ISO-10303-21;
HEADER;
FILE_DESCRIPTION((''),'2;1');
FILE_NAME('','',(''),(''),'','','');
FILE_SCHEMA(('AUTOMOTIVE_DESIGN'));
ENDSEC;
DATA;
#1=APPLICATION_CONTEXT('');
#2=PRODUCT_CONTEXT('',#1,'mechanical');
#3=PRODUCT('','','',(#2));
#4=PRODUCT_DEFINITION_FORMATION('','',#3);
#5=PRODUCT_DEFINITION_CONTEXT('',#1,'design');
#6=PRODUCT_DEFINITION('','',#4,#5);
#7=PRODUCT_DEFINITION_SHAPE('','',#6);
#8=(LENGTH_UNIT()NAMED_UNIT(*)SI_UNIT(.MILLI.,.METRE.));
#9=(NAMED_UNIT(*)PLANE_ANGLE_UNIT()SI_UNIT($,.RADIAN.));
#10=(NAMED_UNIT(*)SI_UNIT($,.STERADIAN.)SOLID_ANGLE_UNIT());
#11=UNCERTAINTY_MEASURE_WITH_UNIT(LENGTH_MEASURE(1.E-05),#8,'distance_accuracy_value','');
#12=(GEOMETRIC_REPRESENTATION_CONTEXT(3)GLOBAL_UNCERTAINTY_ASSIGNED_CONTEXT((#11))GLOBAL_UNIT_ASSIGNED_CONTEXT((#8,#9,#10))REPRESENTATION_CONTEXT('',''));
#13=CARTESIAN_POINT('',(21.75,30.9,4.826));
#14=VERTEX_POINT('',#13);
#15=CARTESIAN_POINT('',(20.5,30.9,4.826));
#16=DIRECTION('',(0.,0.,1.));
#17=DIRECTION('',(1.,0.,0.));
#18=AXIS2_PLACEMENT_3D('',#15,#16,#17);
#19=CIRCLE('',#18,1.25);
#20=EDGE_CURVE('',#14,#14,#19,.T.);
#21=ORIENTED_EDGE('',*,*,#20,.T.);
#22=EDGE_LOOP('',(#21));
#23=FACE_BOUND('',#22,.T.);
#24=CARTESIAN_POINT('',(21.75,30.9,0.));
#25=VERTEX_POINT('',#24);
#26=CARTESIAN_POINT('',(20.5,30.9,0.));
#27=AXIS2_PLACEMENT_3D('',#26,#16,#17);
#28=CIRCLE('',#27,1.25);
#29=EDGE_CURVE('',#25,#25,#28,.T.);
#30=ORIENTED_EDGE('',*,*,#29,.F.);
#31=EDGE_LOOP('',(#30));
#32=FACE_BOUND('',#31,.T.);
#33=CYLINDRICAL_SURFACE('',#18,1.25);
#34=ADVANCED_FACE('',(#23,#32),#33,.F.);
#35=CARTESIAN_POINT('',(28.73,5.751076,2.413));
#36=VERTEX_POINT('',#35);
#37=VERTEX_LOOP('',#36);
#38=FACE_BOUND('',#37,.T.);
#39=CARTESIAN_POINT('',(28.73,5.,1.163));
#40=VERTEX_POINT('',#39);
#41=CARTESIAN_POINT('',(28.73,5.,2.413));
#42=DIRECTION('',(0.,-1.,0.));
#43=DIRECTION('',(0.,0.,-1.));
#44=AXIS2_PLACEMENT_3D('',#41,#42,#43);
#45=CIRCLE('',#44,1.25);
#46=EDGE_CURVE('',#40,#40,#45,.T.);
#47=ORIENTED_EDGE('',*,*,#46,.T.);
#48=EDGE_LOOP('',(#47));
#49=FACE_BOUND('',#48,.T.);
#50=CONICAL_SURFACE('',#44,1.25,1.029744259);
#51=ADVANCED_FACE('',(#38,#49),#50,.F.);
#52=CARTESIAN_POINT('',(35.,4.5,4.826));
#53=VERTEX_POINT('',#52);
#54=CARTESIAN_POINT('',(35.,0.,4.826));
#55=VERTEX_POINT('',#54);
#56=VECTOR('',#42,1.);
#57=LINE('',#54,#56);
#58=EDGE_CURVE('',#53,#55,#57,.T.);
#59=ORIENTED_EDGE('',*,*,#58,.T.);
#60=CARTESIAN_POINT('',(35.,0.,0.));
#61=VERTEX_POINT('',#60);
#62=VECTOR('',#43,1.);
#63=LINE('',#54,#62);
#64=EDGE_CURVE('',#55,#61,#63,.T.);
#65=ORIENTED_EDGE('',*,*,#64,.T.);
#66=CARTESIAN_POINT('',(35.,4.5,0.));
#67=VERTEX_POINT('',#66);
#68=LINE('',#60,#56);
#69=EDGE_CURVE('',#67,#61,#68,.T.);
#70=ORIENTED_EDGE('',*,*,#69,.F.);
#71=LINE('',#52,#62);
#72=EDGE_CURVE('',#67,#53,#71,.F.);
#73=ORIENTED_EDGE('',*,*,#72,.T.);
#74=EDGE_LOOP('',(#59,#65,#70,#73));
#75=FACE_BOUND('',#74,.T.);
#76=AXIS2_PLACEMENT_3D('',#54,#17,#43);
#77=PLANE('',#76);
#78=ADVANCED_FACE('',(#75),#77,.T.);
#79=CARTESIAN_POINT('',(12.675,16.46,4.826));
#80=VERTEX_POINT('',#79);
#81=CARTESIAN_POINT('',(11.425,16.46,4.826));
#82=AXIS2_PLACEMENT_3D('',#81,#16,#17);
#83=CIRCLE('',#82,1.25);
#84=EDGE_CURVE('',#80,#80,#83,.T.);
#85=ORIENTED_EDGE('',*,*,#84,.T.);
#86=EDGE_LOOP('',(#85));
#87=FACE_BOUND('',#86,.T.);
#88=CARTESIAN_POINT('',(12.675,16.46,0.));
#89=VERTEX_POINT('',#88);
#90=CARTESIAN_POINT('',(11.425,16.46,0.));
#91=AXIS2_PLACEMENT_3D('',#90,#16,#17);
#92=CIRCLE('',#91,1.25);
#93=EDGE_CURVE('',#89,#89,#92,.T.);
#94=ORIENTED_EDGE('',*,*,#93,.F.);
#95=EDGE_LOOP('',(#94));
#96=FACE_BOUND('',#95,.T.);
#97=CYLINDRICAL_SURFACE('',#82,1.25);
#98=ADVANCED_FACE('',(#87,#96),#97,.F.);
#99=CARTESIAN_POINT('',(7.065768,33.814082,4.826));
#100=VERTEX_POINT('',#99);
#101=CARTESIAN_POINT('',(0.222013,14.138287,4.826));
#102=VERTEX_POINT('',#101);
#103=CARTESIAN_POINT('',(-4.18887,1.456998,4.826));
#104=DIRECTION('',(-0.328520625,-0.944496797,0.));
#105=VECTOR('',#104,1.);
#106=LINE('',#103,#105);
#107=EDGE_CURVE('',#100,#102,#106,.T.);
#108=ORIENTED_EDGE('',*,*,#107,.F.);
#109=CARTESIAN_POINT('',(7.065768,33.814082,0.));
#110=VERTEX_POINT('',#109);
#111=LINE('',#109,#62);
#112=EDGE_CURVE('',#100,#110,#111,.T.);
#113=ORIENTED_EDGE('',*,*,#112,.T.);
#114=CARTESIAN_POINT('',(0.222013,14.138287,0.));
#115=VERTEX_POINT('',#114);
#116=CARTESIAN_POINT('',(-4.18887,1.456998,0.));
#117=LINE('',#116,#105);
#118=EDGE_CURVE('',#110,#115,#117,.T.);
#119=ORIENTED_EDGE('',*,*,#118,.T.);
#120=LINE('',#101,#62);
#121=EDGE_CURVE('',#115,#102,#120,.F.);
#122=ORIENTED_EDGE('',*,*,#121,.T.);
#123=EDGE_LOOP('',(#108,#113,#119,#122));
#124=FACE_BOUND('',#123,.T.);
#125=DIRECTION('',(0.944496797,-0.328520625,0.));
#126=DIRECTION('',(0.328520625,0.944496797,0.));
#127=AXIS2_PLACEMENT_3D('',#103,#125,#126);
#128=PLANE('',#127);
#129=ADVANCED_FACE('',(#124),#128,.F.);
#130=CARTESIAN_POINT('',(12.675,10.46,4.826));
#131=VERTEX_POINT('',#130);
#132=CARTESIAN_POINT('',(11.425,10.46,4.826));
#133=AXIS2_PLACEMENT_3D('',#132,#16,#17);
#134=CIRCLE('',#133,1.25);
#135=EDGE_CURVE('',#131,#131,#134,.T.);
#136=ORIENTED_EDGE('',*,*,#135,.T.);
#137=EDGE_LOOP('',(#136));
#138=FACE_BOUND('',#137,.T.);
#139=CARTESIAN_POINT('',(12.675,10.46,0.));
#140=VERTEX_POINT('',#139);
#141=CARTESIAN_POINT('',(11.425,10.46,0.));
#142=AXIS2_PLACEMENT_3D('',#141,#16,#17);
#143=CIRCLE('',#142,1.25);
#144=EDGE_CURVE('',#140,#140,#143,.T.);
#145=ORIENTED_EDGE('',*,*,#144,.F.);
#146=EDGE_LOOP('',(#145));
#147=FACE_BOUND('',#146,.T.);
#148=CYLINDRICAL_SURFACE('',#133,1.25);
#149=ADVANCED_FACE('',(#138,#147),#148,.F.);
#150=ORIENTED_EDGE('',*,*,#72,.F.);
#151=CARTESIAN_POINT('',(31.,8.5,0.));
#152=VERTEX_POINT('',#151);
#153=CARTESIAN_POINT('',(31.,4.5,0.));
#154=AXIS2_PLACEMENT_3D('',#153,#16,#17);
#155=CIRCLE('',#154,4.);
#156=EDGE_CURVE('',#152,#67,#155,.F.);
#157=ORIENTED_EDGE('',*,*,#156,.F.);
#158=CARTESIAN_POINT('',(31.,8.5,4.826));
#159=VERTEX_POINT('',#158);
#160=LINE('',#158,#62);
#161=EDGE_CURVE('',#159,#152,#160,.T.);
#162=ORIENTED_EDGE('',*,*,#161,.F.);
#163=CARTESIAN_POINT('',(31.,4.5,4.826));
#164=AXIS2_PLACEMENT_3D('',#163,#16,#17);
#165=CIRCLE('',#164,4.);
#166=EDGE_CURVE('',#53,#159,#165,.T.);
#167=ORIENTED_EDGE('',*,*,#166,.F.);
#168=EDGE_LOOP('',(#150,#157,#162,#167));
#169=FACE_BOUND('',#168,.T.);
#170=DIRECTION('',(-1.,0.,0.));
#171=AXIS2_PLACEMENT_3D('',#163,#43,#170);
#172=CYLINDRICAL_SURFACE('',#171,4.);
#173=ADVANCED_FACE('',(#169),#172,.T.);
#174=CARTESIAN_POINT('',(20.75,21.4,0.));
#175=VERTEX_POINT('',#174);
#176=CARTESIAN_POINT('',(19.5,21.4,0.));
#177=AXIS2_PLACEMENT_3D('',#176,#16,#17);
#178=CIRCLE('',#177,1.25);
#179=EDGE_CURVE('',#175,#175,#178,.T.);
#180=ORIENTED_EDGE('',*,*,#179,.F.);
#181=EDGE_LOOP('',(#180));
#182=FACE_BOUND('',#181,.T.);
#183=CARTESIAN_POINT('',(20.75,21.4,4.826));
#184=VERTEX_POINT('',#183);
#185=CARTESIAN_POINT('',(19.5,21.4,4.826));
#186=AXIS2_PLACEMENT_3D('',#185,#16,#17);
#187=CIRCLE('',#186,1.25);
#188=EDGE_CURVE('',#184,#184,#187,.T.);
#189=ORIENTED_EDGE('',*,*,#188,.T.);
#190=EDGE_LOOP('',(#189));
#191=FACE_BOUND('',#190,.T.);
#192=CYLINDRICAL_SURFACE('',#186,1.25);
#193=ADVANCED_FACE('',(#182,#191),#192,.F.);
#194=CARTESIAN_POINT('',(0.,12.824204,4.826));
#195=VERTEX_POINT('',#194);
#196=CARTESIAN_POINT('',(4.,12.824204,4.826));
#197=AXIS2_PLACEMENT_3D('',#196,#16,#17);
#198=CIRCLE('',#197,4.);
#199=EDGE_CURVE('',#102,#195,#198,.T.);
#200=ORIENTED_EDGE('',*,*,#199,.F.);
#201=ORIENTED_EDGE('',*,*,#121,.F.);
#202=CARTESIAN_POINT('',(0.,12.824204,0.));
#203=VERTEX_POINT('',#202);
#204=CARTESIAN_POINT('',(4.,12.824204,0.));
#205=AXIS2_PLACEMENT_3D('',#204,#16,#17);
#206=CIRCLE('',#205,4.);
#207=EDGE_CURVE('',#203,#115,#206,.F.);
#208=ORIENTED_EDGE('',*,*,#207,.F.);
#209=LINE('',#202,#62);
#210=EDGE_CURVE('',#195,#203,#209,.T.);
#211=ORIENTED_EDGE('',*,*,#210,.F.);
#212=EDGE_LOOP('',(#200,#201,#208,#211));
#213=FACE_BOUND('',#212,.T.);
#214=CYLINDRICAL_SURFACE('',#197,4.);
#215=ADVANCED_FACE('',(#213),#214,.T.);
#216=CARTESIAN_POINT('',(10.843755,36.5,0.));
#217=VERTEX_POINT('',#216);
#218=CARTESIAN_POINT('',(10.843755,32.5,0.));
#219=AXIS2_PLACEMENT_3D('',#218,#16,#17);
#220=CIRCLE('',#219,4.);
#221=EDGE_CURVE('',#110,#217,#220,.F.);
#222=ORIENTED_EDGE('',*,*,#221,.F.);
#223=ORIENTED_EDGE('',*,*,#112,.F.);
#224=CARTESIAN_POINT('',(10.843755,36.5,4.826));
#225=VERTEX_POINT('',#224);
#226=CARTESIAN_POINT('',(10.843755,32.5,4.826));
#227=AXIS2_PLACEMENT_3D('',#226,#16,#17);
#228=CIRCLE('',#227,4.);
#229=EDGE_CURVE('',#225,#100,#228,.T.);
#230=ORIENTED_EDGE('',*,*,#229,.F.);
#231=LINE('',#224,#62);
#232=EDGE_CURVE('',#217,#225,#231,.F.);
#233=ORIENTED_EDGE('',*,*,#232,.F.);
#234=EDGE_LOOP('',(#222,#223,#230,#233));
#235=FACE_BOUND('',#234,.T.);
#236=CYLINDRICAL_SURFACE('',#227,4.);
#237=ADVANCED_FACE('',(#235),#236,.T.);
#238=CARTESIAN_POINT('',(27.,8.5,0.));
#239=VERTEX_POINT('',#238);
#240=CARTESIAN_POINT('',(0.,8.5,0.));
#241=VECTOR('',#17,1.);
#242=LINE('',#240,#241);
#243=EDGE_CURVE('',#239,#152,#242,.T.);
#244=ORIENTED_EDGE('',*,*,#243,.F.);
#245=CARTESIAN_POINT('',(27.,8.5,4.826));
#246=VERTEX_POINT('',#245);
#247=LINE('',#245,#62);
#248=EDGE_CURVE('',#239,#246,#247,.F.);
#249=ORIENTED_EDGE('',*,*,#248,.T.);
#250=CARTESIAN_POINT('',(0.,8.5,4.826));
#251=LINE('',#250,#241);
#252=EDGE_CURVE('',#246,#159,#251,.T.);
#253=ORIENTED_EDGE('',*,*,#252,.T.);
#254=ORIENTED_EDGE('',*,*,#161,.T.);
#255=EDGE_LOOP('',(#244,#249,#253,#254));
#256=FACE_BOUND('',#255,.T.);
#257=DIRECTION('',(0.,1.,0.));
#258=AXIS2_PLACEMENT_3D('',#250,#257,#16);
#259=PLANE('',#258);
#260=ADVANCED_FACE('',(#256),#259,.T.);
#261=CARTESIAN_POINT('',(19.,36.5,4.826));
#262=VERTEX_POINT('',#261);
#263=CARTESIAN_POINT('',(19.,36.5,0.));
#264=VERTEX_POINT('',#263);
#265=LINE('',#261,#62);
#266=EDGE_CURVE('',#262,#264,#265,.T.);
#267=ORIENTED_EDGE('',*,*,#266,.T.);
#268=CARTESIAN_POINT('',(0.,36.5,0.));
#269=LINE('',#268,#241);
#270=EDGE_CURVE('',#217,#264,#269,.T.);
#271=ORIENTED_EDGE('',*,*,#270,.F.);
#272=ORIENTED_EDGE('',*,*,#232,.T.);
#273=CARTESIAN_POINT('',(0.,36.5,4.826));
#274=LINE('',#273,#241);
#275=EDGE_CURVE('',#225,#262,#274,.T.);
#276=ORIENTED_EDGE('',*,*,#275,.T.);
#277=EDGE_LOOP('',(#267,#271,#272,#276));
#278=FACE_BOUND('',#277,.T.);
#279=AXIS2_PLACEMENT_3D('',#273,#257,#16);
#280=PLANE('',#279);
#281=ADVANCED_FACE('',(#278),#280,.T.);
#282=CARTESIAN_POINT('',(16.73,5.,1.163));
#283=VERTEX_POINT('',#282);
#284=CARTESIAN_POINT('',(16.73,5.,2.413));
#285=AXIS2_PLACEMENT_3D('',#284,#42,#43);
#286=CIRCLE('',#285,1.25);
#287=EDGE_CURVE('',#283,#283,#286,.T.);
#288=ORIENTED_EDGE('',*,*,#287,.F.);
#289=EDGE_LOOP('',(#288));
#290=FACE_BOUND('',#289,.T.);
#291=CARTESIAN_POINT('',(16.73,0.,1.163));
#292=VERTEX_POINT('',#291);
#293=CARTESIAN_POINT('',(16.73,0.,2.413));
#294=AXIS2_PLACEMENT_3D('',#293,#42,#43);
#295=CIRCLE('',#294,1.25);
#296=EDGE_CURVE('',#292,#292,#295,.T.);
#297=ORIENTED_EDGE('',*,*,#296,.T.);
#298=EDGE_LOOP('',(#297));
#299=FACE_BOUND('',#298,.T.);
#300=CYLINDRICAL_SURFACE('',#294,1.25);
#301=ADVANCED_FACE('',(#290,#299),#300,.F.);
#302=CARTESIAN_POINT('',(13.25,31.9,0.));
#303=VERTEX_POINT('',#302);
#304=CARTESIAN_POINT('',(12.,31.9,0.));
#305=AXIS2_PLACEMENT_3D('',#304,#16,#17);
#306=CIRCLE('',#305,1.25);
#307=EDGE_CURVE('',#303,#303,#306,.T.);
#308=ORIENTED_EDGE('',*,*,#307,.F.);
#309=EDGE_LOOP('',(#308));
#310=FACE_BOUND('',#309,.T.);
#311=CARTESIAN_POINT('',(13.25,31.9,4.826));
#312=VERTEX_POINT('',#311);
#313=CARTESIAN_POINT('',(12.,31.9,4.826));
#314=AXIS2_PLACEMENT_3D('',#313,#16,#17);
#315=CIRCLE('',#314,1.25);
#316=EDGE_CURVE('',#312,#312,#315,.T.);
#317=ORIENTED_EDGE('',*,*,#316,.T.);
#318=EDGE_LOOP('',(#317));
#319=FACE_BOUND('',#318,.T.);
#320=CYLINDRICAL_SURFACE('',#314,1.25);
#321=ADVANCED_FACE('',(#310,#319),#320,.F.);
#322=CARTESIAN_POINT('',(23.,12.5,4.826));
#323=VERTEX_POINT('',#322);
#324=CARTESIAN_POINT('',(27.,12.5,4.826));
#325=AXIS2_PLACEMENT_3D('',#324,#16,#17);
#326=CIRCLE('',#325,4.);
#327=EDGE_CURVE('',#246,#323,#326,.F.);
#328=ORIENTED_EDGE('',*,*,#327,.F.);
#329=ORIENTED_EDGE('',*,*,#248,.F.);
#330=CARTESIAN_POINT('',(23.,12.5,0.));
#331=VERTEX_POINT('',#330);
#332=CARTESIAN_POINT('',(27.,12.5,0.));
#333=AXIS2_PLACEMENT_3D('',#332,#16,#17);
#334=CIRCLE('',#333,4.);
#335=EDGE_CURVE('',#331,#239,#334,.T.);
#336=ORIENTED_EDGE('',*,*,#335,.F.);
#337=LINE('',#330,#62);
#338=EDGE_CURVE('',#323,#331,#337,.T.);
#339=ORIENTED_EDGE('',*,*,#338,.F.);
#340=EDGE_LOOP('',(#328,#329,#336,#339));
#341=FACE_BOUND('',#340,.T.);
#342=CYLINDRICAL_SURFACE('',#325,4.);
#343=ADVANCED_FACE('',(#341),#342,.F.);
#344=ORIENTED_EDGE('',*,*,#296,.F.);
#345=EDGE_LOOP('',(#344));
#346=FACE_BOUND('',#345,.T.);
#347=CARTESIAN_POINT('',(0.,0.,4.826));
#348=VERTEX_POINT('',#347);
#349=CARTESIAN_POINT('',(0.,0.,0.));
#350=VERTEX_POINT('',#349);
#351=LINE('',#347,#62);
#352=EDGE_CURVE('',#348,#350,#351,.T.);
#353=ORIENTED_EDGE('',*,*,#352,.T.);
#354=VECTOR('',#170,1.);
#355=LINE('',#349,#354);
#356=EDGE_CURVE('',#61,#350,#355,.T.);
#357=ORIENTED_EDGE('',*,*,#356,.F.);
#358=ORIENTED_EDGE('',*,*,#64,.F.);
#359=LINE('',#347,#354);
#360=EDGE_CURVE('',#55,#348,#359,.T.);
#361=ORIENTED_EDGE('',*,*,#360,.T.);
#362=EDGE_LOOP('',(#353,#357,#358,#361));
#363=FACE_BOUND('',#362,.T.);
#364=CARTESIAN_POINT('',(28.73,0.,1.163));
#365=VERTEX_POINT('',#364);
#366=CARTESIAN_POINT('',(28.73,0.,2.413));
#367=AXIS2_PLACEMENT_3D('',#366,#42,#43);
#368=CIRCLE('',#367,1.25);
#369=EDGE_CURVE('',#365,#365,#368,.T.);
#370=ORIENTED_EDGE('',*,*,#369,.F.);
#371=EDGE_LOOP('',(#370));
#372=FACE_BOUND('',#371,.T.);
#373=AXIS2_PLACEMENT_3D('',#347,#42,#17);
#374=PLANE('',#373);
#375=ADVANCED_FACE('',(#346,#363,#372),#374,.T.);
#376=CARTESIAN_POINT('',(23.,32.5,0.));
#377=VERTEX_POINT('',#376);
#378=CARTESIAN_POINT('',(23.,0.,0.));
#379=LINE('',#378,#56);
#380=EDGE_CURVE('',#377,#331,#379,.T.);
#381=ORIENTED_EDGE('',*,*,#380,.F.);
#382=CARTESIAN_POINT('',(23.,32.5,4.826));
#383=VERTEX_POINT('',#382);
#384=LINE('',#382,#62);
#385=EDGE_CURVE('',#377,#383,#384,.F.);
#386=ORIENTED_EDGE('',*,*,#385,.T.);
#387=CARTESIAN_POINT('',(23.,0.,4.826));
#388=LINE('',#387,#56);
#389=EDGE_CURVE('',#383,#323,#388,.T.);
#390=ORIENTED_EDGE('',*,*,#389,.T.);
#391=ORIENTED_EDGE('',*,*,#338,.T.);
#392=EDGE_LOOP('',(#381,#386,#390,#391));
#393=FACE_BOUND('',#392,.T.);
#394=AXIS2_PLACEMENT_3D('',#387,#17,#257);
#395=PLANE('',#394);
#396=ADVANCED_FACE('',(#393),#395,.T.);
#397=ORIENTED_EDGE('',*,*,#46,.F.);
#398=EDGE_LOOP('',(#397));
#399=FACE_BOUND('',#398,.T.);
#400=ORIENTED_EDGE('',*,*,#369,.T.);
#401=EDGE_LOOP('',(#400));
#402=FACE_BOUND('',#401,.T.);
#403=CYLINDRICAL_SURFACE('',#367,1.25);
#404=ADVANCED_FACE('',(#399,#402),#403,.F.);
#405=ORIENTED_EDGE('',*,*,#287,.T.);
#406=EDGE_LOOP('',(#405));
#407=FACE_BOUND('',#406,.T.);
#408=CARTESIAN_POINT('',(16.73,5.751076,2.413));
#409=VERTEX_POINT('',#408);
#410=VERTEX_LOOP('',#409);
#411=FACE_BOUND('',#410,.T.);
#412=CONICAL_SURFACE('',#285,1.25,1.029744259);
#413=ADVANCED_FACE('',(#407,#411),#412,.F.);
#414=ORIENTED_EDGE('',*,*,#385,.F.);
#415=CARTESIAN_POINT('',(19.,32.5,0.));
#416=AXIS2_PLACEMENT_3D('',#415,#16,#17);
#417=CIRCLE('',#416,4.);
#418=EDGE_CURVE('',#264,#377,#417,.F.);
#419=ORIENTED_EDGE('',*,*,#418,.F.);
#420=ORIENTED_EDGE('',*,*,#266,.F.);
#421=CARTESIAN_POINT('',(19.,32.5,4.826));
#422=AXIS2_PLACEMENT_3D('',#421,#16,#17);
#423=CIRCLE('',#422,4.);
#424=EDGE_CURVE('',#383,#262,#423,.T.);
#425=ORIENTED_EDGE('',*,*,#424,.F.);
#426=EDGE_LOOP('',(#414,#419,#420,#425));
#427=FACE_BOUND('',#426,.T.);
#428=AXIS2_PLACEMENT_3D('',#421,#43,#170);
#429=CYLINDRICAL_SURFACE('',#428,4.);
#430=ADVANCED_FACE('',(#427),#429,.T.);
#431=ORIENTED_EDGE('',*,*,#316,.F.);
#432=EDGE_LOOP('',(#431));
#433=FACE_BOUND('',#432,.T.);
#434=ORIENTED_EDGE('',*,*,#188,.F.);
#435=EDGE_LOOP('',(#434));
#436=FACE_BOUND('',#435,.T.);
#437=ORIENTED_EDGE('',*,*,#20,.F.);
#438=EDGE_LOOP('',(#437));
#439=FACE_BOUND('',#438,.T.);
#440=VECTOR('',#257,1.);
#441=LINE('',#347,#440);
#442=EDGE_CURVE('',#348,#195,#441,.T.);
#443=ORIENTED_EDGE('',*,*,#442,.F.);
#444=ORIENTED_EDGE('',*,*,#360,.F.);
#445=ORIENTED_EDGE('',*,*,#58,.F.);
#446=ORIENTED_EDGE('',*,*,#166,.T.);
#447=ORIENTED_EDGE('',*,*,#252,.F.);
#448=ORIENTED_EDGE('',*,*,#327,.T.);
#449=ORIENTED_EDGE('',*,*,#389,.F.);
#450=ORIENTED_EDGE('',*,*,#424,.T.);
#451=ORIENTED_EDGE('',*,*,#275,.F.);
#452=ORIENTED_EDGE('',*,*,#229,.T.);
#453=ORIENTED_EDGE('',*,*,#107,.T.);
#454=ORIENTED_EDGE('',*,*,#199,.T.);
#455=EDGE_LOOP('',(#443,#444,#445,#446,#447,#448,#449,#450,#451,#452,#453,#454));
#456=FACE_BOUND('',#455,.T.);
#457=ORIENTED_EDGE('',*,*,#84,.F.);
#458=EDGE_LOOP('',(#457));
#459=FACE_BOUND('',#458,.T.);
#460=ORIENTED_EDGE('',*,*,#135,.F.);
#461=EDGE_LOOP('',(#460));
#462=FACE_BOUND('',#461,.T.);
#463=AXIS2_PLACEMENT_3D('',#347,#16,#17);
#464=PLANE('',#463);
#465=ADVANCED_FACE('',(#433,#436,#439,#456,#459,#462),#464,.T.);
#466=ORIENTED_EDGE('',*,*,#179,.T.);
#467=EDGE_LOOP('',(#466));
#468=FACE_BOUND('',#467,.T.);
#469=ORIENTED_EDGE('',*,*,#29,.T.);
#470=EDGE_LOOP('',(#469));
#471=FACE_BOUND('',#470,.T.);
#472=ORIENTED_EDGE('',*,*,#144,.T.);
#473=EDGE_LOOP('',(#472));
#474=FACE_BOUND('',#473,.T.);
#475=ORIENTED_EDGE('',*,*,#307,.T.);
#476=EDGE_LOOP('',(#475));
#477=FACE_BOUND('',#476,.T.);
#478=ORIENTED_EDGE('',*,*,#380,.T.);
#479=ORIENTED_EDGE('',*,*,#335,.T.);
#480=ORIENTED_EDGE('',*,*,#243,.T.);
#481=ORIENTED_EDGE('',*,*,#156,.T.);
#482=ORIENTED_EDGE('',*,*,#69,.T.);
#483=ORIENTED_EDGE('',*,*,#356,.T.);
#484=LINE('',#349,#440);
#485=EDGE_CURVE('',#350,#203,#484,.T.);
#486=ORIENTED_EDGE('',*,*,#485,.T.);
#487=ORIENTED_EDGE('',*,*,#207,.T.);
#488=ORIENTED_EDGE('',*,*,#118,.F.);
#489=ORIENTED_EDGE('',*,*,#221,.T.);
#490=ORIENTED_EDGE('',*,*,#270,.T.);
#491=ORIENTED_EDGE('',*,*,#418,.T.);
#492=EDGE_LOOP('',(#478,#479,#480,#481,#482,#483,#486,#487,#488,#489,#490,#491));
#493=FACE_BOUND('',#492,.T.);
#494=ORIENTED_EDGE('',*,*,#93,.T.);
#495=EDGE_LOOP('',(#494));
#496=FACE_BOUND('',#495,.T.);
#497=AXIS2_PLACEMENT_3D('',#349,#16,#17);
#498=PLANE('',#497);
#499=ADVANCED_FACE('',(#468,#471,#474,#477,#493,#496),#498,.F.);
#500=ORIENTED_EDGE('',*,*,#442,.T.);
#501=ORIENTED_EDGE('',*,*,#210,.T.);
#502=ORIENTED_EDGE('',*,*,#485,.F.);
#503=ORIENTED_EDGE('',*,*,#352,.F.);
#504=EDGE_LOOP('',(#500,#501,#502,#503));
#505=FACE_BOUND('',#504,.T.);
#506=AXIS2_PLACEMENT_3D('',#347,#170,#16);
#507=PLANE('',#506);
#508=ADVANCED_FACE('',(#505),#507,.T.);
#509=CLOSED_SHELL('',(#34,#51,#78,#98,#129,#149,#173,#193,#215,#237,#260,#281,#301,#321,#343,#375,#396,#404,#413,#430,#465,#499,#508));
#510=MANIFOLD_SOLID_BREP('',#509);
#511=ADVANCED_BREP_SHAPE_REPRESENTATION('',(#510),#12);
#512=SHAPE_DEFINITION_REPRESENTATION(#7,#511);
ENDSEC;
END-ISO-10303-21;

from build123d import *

# Parameters (mm, degrees)
BOSS_EXTRUDE1_DEPTH       = 4.826
M3X0_5_TAPPED_HOLE2_D     = 2.5
M3X0_5_TAPPED_HOLE3_D     = 2.5
M3X0_5_TAPPED_HOLE3_DEPTH = 5
M3X0_5_TAPPED_HOLE3_TIP   = 0.751075774
FILLET2_R                 = 4
M3X0_5_TAPPED_HOLE4_D     = 2.5
M3X0_5_TAPPED_HOLE5_D     = 2.5


with BuildPart() as part:
    # Sketch1 → Boss-Extrude1 (new body)
    with BuildSketch(Plane.XY):
        Polygon((0, 0), (0, 13.5), (8, 36.5), (23, 36.5), (23, 8.5), (35, 8.5), (35, 0), align=None)
    extrude(amount=BOSS_EXTRUDE1_DEPTH)

    # M3x0.5 Tapped Hole2 (through all)
    with Locations(Plane.XY.offset(4.826)):
        with Locations((12, 31.9)):
            Hole(M3X0_5_TAPPED_HOLE2_D / 2)

    # M3x0.5 Tapped Hole3
    with Locations(Plane(origin=(0, 0, 0), x_dir=(-1, 0, 0), z_dir=(0, -1, 0))):
        with Locations((-16.73, -2.413), (-28.73, -2.413)):
            Hole(M3X0_5_TAPPED_HOLE3_D / 2, depth=M3X0_5_TAPPED_HOLE3_DEPTH)
            with Locations((0, 0, -(M3X0_5_TAPPED_HOLE3_DEPTH + M3X0_5_TAPPED_HOLE3_TIP / 2))):  # 118° drill point
                Cone(0, M3X0_5_TAPPED_HOLE3_D / 2, M3X0_5_TAPPED_HOLE3_TIP, mode=Mode.SUBTRACT)

    # Fillet2
    fillet2_edges = [part.edges().sort_by_distance(p)[0] for p in [
        (23, 36.5, 2.413),
        (23, 8.5, 2.413),
        (35, 8.5, 2.413),
        (0, 13.5, 2.413),
        (8, 36.5, 2.413),
    ]]
    fillet(fillet2_edges, radius=FILLET2_R)

    # M3x0.5 Tapped Hole4 (through all)
    with Locations(Plane.XY.offset(4.826)):
        with Locations((19.5, 21.4), (20.5, 30.9)):
            Hole(M3X0_5_TAPPED_HOLE4_D / 2)

    # M3x0.5 Tapped Hole5 (through all)
    with Locations(Plane.XY.offset(4.826)):
        with Locations((11.425, 16.46), (11.425, 10.46)):
            Hole(M3X0_5_TAPPED_HOLE5_D / 2)


solid = part.part
